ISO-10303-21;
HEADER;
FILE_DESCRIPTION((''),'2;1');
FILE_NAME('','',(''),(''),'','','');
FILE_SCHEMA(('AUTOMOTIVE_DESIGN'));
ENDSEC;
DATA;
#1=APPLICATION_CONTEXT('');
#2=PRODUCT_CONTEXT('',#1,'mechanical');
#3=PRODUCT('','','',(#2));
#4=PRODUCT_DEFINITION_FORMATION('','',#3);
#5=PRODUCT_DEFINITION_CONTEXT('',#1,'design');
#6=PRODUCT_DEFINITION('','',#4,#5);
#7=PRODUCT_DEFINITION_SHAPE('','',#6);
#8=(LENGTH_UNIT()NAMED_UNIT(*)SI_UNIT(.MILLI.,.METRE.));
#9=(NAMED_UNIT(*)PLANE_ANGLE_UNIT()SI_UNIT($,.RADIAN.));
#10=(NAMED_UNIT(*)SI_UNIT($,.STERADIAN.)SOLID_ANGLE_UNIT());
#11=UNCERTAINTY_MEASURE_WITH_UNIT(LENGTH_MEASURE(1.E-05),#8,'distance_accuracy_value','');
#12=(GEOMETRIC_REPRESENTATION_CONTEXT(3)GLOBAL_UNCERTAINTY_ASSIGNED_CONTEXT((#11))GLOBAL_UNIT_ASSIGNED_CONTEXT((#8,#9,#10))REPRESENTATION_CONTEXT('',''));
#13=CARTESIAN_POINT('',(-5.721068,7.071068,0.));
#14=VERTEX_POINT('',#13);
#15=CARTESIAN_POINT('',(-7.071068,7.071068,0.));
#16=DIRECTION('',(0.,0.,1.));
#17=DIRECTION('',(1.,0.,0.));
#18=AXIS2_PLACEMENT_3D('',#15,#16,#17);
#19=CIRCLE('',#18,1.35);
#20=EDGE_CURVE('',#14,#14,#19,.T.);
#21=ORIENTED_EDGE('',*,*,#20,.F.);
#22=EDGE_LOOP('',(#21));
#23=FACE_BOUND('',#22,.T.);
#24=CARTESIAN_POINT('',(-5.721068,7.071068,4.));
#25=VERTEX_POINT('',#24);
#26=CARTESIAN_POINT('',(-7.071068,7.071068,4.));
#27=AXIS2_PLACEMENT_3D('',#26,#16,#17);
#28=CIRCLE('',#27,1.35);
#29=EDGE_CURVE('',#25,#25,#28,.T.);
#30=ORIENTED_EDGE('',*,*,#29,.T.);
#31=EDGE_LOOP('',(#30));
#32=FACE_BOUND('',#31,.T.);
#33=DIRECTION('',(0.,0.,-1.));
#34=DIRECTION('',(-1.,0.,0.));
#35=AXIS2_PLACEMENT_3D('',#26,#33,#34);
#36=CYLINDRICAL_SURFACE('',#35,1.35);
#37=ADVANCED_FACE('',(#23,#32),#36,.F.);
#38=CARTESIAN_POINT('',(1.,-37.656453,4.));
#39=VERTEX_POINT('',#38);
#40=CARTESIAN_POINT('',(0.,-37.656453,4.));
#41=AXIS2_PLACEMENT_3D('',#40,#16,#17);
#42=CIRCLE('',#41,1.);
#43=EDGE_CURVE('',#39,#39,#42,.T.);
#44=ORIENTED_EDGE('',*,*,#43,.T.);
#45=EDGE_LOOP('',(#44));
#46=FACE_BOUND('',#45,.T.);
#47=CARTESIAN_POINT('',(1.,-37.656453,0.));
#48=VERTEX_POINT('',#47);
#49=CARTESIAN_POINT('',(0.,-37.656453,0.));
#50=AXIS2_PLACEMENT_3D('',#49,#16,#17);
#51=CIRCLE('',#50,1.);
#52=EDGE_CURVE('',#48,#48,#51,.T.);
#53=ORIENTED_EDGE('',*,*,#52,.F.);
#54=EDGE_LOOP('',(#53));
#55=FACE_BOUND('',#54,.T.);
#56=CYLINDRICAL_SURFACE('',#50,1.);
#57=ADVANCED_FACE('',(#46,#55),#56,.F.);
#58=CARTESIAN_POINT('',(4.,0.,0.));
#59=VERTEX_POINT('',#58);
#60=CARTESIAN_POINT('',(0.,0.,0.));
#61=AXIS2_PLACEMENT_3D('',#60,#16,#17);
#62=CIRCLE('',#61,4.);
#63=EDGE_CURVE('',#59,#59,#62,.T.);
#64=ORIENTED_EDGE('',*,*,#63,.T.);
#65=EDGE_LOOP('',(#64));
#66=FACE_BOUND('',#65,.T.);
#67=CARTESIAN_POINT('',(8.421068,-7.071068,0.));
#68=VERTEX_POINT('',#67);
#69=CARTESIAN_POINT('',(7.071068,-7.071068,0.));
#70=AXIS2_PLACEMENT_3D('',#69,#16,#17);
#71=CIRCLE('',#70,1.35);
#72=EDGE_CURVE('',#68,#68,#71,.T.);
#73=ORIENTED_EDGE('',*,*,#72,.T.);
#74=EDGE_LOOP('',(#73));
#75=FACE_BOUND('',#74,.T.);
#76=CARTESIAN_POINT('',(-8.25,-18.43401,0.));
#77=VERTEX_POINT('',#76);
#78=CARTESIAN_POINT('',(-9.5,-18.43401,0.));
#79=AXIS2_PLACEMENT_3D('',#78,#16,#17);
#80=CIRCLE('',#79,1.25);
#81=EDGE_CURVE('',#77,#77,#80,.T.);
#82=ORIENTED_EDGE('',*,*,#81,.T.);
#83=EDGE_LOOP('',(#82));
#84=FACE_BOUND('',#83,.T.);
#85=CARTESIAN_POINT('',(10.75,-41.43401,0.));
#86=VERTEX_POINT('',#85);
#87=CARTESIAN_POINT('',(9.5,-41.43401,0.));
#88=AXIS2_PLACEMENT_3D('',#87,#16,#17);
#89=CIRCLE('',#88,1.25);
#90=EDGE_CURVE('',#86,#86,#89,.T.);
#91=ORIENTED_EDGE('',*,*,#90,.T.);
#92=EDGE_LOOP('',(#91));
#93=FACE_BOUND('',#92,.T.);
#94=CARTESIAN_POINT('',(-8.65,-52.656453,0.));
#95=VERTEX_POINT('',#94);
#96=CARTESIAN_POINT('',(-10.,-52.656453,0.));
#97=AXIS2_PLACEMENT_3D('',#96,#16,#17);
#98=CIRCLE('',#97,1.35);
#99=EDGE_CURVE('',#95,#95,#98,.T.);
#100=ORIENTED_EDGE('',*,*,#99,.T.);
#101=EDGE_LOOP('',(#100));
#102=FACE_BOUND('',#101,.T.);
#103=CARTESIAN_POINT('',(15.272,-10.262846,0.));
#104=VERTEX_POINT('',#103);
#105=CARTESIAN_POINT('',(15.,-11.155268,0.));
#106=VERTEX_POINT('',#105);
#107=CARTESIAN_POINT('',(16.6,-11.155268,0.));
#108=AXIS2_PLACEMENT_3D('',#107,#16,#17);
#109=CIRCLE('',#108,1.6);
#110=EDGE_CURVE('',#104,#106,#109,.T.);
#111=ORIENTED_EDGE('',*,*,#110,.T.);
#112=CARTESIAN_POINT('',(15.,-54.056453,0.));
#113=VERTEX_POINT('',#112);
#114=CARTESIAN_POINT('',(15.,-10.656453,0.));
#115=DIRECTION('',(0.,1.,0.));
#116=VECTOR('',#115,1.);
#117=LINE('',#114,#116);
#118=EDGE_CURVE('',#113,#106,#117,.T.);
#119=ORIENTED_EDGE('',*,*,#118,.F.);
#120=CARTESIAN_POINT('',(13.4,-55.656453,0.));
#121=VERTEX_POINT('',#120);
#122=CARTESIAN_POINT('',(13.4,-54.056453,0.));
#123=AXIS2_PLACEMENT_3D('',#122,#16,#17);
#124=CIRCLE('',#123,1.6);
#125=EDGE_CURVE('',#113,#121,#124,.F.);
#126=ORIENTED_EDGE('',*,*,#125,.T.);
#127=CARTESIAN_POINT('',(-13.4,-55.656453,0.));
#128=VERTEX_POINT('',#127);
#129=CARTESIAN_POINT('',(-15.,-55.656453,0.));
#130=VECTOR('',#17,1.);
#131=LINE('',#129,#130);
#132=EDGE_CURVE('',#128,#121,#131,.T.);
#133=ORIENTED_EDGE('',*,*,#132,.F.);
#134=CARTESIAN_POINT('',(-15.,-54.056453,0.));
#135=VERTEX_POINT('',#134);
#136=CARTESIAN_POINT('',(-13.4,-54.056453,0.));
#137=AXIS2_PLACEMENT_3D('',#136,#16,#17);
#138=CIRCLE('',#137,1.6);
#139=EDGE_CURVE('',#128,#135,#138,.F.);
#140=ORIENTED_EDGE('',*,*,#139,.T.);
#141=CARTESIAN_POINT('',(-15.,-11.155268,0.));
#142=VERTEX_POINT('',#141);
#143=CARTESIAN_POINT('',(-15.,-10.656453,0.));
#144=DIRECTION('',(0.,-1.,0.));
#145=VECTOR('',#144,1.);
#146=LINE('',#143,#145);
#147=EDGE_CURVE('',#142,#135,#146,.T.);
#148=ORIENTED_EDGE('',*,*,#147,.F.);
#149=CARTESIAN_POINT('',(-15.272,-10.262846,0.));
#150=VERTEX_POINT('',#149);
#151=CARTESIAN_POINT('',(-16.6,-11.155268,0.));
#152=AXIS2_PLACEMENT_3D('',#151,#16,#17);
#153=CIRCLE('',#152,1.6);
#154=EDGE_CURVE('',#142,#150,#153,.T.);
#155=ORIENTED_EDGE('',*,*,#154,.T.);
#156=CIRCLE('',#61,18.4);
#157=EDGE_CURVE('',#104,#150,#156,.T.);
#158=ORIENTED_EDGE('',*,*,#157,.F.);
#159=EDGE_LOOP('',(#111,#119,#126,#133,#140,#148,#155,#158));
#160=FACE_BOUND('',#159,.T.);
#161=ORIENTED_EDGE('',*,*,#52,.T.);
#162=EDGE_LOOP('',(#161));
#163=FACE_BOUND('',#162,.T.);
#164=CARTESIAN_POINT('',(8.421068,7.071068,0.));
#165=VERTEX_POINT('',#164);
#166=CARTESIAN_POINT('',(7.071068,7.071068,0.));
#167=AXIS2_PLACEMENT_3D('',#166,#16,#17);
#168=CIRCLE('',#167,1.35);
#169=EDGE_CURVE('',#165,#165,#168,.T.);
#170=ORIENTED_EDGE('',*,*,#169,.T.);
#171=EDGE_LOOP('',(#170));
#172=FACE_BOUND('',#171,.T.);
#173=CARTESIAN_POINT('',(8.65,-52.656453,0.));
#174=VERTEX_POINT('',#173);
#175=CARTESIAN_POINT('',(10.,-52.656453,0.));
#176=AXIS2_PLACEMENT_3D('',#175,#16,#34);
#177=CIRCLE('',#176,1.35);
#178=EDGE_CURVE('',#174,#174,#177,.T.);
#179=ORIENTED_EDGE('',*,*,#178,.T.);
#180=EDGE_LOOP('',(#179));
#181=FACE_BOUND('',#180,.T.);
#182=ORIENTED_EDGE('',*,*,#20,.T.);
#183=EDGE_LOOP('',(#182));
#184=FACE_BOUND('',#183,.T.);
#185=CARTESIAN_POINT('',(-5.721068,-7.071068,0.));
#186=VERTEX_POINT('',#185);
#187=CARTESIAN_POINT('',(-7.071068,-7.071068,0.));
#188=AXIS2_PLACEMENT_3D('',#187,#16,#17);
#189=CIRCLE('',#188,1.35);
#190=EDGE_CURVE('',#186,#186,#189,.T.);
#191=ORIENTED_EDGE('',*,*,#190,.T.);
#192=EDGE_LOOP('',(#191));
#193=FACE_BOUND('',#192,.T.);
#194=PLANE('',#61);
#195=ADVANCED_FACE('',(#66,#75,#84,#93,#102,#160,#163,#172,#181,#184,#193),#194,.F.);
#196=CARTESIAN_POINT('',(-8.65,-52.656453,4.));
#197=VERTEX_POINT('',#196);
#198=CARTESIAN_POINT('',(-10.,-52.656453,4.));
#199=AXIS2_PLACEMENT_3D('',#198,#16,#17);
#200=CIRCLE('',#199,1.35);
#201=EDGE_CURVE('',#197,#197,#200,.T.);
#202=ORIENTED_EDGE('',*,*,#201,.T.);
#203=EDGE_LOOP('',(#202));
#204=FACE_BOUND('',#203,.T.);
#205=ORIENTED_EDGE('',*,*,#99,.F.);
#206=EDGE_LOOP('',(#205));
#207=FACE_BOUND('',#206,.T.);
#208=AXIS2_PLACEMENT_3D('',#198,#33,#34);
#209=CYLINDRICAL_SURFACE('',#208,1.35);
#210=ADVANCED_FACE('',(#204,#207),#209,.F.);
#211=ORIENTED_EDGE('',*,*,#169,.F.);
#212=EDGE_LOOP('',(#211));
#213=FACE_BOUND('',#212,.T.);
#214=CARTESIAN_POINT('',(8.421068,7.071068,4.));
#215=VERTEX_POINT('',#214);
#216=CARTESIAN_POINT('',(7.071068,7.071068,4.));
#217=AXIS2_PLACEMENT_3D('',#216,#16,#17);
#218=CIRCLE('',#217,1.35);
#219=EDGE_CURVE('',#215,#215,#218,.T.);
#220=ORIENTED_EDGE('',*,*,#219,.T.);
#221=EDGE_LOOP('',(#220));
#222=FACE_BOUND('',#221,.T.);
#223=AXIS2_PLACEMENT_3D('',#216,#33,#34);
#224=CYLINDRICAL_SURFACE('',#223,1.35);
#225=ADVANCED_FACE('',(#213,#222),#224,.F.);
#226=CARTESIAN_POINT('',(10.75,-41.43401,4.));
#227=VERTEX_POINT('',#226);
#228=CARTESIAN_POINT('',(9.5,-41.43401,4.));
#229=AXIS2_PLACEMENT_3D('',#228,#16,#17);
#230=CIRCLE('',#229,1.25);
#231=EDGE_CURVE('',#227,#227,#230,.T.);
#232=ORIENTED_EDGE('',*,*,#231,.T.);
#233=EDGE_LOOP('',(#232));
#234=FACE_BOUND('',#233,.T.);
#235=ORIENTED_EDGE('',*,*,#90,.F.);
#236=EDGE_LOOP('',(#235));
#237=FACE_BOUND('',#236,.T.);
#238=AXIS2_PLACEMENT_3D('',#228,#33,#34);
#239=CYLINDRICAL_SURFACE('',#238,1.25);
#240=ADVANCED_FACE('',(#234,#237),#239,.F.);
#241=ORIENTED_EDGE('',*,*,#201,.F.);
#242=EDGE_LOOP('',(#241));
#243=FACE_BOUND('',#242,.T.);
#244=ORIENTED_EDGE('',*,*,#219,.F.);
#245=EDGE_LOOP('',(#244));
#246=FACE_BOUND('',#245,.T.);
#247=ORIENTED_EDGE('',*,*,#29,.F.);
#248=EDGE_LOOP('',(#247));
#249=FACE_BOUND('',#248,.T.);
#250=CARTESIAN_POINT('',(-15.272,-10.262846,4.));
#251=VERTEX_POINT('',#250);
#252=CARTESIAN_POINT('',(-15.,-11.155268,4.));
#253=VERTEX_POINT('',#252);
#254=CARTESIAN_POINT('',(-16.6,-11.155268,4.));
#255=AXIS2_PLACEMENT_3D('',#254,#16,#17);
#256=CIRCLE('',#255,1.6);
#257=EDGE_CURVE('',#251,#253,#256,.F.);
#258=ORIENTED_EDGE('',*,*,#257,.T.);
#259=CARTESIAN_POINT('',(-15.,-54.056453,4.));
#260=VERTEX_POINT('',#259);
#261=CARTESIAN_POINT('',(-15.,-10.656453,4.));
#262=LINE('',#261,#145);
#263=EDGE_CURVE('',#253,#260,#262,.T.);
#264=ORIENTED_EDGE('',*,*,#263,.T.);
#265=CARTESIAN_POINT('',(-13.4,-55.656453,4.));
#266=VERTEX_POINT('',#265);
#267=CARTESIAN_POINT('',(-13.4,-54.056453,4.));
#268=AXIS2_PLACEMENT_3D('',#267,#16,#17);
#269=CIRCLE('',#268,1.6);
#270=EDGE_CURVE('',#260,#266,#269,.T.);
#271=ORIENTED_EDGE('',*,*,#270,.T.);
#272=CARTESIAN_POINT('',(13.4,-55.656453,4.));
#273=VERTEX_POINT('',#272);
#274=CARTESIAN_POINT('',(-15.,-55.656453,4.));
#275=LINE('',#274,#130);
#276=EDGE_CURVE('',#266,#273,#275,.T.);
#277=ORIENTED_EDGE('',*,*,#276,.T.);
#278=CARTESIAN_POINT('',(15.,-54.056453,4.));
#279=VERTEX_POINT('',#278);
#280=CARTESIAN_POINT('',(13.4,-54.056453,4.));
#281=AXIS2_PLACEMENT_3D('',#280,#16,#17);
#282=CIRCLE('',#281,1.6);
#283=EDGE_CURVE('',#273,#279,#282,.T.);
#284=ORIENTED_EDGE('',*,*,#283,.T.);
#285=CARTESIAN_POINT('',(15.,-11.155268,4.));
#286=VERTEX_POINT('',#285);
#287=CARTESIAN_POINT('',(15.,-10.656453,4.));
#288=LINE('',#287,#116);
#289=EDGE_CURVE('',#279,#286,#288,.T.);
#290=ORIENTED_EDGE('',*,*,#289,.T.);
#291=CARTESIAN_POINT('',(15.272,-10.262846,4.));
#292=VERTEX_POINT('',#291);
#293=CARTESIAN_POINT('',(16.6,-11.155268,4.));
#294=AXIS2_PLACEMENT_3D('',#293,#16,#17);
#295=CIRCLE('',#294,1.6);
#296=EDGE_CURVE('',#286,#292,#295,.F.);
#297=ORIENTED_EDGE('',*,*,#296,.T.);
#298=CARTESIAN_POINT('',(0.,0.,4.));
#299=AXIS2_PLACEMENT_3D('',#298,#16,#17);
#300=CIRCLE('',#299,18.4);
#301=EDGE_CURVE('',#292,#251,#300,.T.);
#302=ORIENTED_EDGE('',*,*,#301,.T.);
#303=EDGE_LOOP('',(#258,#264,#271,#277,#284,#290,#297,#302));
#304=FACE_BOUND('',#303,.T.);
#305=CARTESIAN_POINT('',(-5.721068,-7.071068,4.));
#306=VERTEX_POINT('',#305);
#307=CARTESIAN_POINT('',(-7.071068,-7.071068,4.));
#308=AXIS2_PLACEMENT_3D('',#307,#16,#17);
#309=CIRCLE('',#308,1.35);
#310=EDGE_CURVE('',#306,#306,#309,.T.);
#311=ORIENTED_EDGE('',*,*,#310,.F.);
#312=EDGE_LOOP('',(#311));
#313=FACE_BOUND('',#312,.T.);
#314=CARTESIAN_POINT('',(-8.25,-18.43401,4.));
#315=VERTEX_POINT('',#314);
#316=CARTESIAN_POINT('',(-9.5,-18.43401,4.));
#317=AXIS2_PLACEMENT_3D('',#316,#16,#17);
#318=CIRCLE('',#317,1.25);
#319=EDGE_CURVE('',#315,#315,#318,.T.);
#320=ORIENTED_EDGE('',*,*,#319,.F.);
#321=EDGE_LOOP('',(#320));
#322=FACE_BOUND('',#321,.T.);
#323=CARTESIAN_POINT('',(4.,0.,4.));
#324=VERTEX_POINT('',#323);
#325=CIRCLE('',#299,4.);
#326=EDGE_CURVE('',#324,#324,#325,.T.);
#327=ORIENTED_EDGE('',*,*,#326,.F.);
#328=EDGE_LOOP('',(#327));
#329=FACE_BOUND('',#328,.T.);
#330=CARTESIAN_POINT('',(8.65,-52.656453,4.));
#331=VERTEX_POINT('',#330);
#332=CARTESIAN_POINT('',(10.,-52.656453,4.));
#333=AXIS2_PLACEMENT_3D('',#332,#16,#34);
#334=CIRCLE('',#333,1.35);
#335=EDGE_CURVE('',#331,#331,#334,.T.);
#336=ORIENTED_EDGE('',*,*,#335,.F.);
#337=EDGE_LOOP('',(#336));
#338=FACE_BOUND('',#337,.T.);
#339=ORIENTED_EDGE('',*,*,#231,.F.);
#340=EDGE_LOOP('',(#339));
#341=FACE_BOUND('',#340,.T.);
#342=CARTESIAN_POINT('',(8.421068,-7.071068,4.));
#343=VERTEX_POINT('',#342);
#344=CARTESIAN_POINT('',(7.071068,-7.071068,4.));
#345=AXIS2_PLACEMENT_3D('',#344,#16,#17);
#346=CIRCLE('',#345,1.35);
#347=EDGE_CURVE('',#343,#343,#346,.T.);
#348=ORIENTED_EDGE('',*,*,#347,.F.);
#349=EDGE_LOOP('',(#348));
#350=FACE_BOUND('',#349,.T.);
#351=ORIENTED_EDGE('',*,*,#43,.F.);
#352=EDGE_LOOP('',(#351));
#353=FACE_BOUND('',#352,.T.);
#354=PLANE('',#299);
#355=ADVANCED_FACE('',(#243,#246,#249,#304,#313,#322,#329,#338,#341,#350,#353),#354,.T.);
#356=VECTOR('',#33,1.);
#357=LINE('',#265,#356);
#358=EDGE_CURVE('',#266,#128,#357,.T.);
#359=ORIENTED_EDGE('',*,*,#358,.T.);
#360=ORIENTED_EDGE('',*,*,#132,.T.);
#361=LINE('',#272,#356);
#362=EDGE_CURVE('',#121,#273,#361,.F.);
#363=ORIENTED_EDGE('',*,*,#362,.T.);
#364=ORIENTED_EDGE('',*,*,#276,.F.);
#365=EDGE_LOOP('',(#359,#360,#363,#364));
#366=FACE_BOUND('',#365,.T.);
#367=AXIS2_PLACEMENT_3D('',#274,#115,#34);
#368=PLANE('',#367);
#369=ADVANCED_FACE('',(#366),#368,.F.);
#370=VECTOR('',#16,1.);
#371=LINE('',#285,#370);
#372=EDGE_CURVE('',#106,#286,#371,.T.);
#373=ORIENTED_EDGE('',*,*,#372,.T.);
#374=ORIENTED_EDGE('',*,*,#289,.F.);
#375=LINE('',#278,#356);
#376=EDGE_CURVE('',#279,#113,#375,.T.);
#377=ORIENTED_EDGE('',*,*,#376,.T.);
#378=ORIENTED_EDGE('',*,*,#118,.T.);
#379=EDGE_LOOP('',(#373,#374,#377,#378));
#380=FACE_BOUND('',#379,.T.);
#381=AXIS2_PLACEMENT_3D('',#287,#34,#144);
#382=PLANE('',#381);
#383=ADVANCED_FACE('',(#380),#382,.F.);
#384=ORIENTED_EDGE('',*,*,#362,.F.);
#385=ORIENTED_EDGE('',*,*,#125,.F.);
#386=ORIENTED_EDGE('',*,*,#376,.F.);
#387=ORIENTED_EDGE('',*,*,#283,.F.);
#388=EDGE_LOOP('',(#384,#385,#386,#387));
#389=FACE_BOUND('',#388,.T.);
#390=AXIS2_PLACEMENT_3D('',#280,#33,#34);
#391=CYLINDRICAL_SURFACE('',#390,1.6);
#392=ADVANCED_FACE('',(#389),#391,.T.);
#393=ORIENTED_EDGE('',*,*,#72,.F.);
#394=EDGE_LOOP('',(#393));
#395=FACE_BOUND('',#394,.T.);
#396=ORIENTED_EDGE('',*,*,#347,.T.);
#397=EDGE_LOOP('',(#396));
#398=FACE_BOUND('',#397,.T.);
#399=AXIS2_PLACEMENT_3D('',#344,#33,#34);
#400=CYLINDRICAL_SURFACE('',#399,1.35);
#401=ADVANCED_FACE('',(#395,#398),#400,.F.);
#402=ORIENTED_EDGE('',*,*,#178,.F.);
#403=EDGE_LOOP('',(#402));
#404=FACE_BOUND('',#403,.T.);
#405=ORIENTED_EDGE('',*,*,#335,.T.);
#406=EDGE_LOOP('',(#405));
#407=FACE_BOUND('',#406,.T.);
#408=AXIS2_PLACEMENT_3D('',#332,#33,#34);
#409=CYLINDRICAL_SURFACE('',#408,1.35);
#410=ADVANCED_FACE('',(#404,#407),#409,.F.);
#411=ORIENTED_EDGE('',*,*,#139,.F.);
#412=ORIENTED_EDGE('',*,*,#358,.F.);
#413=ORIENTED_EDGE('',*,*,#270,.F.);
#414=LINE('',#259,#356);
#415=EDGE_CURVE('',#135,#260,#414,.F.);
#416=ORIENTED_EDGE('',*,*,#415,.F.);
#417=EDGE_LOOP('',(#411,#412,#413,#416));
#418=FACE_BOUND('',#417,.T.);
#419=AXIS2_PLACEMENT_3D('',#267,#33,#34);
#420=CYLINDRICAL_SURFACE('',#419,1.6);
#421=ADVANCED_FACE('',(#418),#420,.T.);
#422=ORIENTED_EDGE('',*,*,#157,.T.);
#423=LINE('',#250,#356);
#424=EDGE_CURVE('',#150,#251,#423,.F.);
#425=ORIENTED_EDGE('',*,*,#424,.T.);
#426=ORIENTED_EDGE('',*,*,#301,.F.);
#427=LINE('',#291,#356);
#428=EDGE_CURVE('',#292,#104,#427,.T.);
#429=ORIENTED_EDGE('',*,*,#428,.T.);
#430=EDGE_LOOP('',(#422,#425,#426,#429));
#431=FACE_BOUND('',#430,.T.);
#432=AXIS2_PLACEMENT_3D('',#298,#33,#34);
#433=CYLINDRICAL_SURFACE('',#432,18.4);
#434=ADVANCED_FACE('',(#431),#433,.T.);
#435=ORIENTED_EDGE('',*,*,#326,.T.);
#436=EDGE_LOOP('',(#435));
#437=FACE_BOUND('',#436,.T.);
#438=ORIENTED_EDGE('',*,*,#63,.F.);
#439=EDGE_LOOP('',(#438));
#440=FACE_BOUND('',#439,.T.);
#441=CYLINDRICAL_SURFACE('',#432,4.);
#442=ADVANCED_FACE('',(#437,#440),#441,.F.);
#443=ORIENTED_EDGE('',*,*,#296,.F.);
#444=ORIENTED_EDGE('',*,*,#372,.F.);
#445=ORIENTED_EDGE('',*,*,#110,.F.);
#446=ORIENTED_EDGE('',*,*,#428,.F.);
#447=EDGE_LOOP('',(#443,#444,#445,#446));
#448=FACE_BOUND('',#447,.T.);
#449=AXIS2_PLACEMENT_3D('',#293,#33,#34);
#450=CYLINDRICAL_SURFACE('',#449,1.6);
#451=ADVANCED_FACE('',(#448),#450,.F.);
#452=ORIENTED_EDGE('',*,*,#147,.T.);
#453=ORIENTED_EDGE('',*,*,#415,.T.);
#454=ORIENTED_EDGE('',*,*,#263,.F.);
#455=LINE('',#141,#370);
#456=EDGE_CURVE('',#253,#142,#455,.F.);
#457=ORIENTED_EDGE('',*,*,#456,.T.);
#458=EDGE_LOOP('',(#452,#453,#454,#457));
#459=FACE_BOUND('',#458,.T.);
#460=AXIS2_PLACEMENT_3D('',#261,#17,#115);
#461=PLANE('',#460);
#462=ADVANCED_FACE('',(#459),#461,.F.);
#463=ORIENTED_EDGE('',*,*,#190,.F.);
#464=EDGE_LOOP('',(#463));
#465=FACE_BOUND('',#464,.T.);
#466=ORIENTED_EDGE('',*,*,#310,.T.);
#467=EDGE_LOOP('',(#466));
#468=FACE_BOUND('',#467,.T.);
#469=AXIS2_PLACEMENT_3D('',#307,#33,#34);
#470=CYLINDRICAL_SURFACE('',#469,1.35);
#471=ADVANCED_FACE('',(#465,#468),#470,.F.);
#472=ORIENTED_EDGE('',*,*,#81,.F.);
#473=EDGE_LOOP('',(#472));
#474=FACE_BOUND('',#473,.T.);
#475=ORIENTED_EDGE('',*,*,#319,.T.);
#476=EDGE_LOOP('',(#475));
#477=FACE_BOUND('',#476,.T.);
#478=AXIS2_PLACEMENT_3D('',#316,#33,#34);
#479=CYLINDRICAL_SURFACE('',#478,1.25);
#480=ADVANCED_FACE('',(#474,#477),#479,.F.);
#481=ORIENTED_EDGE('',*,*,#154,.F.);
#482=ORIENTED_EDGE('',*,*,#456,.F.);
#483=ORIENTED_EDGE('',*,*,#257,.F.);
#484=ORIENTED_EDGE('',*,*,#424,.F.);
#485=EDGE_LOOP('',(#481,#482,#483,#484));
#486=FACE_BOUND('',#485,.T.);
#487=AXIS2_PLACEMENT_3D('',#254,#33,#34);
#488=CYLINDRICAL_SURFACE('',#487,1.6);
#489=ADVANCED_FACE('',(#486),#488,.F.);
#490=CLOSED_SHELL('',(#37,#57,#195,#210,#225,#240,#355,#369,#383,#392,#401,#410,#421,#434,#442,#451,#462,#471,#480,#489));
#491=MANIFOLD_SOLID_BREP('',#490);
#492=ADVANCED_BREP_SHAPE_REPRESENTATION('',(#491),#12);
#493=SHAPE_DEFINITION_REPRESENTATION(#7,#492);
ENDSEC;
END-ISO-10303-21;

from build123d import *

# Parameters (mm, degrees)
CROQUIS1_R              = 1.35
CROQUIS1_R_2            = 4
CROQUIS1_R_3            = 1.25
SALIENTE_EXTRUIR1_DEPTH = 4
REDONDEO1_R             = 1.6
CROQUIS2_R              = 1
CORTAR_EXTRUIR1_DEPTH   = 4


with BuildPart() as part:
    # Croquis1 → Saliente-Extruir1 (new body)
    with BuildSketch(Plane.XY):
        with BuildLine():
            Line((-15, -10.656453444), (-15, -55.656453444))
            Line((-15, -55.656453444), (15, -55.656453444))
            Line((15, -55.656453444), (15, -10.656453444))
            ThreePointArc((15, -10.656453444), (0, 18.4), (-15, -10.656453444))
        make_face()
        with Locations((-7.071067812, -7.071067812)):
            Circle(CROQUIS1_R, mode=Mode.SUBTRACT)
        with Locations((-7.071067812, 7.071067812)):
            Circle(CROQUIS1_R, mode=Mode.SUBTRACT)
        with Locations((7.071067812, 7.071067812)):
            Circle(CROQUIS1_R, mode=Mode.SUBTRACT)
        with Locations((7.071067812, -7.071067812)):
            Circle(CROQUIS1_R, mode=Mode.SUBTRACT)
        Circle(CROQUIS1_R_2, mode=Mode.SUBTRACT)
        with Locations((-10, -52.656453444)):
            Circle(CROQUIS1_R, mode=Mode.SUBTRACT)
        with Locations(Location((10, -52.656453444, 0), (0, 0, 180))):
            Circle(CROQUIS1_R, mode=Mode.SUBTRACT)
        with Locations((9.5, -41.434010022)):
            Circle(CROQUIS1_R_3, mode=Mode.SUBTRACT)
        with Locations((-9.5, -18.434010022)):
            Circle(CROQUIS1_R_3, mode=Mode.SUBTRACT)
    extrude(amount=SALIENTE_EXTRUIR1_DEPTH)

    # Redondeo1
    redondeo1_edges = [part.edges().sort_by_distance(p)[0] for p in [
        (15, -10.656453444, 2),
        (15, -55.656453444, 2),
        (-15, -55.656453444, 2),
        (-15, -10.656453444, 2),
    ]]
    fillet(redondeo1_edges, radius=REDONDEO1_R)

    # Croquis2 → Cortar-Extruir1 (cut)
    with BuildSketch(Plane.XY.offset(4)):
        with Locations((0, -37.656453444)):
            Circle(CROQUIS2_R)
    extrude(amount=-CORTAR_EXTRUIR1_DEPTH, mode=Mode.SUBTRACT)


solid = part.part
